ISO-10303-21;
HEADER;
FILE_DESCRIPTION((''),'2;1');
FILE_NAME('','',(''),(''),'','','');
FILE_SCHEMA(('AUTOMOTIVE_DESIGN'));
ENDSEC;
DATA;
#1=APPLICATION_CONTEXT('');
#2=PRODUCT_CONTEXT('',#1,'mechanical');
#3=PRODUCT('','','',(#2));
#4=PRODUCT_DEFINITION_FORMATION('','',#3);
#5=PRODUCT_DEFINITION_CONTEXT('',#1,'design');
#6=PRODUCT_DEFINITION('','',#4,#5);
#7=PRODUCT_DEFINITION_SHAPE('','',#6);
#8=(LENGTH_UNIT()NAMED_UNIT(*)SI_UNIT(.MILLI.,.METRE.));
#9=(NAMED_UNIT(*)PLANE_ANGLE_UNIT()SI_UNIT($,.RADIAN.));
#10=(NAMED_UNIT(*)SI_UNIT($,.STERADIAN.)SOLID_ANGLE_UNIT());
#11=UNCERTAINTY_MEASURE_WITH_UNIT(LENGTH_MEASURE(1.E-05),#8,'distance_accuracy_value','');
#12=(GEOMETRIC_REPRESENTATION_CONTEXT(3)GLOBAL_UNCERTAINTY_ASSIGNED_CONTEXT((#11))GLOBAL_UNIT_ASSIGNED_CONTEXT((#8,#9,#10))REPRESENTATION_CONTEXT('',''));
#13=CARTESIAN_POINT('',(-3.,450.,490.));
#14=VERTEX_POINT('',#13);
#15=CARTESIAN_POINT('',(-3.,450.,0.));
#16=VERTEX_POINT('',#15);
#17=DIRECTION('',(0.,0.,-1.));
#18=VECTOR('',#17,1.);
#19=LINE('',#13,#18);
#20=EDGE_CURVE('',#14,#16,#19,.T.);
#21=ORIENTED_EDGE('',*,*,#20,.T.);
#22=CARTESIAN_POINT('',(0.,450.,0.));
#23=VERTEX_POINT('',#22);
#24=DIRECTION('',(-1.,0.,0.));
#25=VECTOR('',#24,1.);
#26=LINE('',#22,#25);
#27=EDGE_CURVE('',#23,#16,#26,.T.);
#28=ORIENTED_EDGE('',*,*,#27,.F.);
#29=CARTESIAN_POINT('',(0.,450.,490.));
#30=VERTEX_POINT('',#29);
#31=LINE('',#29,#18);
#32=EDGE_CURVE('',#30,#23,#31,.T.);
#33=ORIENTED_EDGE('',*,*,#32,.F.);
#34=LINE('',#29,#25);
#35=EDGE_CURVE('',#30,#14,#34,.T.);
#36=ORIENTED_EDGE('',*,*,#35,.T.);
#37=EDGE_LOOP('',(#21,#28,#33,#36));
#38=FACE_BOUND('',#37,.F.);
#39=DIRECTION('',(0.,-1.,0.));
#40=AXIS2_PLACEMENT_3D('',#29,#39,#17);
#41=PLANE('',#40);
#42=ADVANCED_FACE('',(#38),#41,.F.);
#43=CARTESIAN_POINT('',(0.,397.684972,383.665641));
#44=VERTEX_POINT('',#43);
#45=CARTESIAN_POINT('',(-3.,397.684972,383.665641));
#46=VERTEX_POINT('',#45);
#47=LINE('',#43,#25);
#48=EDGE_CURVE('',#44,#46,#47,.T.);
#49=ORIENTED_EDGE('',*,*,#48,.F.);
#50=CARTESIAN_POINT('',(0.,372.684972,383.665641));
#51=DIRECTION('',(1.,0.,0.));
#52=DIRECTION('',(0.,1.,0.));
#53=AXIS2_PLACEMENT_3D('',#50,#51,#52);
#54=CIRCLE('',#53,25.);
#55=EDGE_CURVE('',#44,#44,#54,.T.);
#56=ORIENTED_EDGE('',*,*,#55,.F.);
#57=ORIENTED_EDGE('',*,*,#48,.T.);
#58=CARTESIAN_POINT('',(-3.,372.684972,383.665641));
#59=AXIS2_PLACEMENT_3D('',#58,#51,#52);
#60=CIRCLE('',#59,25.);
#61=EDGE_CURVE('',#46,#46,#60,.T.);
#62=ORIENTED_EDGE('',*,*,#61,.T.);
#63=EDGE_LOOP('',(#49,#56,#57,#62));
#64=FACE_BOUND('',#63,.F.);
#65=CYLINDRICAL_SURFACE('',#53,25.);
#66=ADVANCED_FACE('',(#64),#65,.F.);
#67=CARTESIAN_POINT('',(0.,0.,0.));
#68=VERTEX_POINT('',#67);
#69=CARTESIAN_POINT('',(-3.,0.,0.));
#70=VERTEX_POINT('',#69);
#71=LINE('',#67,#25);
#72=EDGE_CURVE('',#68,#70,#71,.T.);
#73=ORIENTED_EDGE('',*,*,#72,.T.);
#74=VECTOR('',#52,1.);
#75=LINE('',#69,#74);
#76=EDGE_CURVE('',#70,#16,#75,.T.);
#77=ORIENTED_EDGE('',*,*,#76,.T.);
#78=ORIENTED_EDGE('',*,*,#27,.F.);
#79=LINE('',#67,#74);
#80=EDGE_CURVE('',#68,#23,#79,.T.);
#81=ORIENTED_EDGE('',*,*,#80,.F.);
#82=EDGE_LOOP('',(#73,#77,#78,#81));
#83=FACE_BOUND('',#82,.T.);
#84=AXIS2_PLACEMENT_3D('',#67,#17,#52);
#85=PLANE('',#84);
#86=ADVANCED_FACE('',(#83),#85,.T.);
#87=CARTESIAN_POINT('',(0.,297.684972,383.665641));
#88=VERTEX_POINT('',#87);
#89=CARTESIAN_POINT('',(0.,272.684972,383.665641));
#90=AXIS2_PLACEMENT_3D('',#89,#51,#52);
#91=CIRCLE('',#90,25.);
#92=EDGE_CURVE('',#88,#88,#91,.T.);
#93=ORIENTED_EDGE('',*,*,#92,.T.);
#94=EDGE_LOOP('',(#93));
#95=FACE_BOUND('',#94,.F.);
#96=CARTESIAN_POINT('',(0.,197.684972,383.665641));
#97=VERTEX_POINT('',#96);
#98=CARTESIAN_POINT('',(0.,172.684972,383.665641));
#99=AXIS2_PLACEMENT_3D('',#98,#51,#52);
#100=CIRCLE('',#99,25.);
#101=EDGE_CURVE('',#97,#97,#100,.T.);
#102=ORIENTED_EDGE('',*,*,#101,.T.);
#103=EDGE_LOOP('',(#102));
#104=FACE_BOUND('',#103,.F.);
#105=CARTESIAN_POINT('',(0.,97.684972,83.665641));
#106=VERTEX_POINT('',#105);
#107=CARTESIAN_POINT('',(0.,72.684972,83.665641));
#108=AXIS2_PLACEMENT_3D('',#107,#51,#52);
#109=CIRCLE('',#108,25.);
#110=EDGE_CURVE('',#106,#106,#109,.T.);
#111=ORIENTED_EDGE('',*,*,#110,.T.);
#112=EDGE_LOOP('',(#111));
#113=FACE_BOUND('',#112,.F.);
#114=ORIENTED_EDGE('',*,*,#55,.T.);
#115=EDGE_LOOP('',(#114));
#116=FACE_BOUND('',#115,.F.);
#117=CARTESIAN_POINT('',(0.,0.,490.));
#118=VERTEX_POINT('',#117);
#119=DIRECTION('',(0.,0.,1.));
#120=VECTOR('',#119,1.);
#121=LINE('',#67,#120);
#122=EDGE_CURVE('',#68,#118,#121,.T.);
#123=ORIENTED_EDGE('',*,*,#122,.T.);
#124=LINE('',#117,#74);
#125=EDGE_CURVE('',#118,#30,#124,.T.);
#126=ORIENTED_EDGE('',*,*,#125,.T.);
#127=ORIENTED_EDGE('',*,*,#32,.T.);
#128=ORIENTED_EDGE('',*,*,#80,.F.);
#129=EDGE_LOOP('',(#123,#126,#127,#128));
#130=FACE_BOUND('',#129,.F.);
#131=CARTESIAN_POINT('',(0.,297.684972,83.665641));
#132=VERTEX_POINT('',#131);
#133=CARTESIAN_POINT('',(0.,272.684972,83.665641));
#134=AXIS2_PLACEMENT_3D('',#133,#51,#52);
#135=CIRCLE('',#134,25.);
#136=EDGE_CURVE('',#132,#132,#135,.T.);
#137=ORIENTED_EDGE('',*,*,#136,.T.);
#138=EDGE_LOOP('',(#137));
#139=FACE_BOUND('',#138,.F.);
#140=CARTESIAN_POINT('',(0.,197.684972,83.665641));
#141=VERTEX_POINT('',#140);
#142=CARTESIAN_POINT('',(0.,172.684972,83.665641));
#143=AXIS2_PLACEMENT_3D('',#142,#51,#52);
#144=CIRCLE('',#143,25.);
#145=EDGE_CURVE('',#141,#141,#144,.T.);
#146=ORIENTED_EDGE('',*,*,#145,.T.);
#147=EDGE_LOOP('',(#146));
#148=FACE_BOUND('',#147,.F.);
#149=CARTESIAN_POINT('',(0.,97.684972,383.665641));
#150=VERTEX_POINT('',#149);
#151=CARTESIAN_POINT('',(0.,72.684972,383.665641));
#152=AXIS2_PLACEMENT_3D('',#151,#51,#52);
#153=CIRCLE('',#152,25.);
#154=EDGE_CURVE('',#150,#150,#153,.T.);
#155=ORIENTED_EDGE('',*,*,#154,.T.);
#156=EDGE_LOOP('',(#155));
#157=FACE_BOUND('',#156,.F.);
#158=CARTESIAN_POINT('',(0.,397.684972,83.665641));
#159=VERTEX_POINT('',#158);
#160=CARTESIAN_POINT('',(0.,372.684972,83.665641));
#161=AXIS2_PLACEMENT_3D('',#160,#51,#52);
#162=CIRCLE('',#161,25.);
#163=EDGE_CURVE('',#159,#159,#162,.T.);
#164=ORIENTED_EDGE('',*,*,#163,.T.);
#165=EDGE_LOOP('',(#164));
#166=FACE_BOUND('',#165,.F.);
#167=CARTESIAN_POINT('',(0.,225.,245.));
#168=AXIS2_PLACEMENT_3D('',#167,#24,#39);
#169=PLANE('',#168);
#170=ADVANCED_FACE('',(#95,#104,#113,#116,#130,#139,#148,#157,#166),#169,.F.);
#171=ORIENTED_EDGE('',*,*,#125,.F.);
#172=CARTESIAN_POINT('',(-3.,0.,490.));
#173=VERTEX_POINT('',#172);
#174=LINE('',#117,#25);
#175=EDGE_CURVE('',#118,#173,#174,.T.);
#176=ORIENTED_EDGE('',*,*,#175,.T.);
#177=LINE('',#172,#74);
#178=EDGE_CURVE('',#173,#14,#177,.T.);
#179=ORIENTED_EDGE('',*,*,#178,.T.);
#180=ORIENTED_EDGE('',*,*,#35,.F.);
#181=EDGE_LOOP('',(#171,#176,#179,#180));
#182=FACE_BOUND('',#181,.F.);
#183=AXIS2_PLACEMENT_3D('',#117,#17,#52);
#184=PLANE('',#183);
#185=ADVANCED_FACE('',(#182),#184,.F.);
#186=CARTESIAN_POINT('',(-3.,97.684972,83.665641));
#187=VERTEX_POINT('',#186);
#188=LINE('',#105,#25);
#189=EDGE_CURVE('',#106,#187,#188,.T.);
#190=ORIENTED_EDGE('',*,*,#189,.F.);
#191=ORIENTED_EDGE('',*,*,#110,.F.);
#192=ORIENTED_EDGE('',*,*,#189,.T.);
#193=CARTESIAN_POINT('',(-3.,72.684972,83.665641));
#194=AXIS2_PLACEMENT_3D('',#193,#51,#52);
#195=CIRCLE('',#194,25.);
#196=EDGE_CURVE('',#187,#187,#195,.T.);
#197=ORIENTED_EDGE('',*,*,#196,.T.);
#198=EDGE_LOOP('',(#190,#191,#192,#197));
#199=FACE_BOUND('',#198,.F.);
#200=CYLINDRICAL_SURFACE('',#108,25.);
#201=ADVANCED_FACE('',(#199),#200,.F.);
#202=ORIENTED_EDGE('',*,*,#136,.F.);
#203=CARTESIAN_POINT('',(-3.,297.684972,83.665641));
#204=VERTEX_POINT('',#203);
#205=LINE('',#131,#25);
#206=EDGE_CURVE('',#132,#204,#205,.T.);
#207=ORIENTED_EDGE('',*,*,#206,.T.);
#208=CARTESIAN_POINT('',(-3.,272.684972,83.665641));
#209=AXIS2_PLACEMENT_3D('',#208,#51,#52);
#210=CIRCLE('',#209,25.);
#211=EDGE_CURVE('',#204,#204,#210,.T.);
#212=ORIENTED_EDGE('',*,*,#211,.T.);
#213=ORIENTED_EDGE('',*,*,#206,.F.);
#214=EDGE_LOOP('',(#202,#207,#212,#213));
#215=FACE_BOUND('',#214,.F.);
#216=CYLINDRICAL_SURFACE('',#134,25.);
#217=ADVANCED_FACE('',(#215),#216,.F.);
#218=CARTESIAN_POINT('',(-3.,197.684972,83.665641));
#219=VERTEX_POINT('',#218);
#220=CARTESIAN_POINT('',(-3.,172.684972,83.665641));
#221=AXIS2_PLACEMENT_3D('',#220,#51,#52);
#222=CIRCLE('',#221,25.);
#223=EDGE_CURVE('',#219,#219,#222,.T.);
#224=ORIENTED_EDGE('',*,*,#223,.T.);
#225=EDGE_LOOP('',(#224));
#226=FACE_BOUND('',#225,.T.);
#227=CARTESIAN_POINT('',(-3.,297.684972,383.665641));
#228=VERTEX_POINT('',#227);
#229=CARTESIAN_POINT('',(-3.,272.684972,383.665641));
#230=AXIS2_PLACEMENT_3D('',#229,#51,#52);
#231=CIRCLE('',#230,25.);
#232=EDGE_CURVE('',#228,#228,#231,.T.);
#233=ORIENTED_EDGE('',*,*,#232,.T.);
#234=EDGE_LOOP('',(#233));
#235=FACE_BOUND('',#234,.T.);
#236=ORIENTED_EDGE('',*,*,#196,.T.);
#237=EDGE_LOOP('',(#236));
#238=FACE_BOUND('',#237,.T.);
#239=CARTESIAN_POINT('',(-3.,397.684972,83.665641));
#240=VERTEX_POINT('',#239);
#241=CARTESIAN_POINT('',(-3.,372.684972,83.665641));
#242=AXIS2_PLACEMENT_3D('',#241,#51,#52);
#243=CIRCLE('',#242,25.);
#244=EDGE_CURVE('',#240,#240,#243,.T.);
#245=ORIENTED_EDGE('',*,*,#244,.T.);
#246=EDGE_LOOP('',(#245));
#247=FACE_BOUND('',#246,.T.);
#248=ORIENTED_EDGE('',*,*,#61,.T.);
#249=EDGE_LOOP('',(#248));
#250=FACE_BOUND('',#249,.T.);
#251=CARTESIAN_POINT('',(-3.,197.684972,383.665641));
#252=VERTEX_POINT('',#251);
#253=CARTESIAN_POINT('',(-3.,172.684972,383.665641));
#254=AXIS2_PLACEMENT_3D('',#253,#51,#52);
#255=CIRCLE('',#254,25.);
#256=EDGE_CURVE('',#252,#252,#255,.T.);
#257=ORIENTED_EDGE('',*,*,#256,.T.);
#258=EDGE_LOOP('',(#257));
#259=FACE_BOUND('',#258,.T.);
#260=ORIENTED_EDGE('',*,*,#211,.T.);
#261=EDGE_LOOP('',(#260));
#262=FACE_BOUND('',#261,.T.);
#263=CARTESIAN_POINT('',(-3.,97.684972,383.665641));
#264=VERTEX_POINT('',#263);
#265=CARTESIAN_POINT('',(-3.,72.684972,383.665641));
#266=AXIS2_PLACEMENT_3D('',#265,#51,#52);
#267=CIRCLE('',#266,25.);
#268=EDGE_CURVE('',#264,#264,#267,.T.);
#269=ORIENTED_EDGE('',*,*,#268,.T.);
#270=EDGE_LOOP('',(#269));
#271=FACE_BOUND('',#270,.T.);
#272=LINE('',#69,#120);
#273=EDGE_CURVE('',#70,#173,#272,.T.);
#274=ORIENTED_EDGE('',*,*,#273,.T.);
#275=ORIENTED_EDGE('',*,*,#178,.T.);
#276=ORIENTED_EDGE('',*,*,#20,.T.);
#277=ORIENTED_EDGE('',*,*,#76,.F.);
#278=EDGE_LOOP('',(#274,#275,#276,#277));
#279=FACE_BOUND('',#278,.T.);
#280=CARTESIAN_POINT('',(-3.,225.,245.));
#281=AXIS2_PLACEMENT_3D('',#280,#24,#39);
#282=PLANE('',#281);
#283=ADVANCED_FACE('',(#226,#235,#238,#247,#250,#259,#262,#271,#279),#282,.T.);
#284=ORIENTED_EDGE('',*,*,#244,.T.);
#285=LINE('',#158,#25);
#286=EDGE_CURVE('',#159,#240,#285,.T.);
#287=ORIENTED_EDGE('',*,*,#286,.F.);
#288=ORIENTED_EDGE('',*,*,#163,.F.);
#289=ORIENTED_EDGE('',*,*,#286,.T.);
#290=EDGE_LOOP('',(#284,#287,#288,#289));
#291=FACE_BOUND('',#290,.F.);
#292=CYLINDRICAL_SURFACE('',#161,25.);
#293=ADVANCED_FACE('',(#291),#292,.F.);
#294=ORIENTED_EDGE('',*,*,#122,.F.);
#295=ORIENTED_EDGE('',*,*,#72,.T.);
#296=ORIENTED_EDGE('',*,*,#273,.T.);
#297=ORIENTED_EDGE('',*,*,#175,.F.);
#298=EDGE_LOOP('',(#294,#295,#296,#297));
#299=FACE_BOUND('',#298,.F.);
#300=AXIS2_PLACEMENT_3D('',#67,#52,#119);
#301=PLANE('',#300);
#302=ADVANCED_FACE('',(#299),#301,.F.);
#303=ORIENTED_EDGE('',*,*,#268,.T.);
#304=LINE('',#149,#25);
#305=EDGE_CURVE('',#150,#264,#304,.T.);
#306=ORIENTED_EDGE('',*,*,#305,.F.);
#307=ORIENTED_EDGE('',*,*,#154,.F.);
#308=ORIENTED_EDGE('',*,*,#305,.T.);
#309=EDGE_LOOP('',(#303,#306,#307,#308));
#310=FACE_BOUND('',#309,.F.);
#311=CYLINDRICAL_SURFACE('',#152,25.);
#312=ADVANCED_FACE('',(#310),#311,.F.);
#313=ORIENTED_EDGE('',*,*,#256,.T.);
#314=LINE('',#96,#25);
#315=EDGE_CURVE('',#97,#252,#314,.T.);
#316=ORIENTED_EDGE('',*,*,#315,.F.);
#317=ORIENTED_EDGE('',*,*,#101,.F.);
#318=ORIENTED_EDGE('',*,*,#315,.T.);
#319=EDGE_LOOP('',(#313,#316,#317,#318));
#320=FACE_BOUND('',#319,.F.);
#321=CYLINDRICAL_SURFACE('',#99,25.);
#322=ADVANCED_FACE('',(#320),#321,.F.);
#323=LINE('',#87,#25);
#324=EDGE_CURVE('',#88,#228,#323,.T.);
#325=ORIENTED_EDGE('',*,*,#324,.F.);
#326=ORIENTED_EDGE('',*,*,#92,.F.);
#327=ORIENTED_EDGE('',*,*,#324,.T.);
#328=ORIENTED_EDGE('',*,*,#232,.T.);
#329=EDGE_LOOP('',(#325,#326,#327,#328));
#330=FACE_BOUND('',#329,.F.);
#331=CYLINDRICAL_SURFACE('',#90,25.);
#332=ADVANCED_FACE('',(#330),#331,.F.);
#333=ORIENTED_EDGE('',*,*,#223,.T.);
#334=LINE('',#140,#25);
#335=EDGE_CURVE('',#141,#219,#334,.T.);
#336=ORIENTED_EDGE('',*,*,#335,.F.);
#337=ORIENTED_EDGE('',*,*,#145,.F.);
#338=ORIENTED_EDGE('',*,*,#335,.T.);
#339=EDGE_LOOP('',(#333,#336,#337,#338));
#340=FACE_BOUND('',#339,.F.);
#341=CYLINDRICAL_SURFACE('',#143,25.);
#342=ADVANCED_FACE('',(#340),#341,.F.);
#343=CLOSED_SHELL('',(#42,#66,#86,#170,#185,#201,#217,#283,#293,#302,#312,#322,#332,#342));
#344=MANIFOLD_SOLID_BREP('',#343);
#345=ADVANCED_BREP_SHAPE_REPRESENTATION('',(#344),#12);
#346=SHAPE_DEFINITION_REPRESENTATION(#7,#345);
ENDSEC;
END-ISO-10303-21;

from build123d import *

# Parameters (mm, degrees)
PAD_DEPTH    = 3
SKETCH003_R  = 25
POCKET_DEPTH = 3.001


with BuildPart() as part:
    # Sketch → Pad (new body)
    with BuildSketch(Plane.YZ):
        Polygon((0, 0), (0, 490), (450, 490), (450, 0), (225, 0), align=None)
    extrude(amount=-PAD_DEPTH)

    # Sketch003 → Pocket (cut, through all)
    with BuildSketch(Plane.YZ):
        with Locations((372.684972, 383.665641)):
            Circle(SKETCH003_R)
        with Locations((272.684972, 383.665641)):
            Circle(SKETCH003_R)
        with Locations((72.684972, 383.665641)):
            Circle(SKETCH003_R)
        with Locations((72.684972, 83.665641)):
            Circle(SKETCH003_R)
        with Locations((172.684972, 83.665641)):
            Circle(SKETCH003_R)
        with Locations((372.684972, 83.665641)):
            Circle(SKETCH003_R)
        with Locations((272.684972, 83.665641)):
            Circle(SKETCH003_R)
        with Locations((172.684972, 383.665641)):
            Circle(SKETCH003_R)
    extrude(amount=-POCKET_DEPTH, mode=Mode.SUBTRACT)


solid = part.part
